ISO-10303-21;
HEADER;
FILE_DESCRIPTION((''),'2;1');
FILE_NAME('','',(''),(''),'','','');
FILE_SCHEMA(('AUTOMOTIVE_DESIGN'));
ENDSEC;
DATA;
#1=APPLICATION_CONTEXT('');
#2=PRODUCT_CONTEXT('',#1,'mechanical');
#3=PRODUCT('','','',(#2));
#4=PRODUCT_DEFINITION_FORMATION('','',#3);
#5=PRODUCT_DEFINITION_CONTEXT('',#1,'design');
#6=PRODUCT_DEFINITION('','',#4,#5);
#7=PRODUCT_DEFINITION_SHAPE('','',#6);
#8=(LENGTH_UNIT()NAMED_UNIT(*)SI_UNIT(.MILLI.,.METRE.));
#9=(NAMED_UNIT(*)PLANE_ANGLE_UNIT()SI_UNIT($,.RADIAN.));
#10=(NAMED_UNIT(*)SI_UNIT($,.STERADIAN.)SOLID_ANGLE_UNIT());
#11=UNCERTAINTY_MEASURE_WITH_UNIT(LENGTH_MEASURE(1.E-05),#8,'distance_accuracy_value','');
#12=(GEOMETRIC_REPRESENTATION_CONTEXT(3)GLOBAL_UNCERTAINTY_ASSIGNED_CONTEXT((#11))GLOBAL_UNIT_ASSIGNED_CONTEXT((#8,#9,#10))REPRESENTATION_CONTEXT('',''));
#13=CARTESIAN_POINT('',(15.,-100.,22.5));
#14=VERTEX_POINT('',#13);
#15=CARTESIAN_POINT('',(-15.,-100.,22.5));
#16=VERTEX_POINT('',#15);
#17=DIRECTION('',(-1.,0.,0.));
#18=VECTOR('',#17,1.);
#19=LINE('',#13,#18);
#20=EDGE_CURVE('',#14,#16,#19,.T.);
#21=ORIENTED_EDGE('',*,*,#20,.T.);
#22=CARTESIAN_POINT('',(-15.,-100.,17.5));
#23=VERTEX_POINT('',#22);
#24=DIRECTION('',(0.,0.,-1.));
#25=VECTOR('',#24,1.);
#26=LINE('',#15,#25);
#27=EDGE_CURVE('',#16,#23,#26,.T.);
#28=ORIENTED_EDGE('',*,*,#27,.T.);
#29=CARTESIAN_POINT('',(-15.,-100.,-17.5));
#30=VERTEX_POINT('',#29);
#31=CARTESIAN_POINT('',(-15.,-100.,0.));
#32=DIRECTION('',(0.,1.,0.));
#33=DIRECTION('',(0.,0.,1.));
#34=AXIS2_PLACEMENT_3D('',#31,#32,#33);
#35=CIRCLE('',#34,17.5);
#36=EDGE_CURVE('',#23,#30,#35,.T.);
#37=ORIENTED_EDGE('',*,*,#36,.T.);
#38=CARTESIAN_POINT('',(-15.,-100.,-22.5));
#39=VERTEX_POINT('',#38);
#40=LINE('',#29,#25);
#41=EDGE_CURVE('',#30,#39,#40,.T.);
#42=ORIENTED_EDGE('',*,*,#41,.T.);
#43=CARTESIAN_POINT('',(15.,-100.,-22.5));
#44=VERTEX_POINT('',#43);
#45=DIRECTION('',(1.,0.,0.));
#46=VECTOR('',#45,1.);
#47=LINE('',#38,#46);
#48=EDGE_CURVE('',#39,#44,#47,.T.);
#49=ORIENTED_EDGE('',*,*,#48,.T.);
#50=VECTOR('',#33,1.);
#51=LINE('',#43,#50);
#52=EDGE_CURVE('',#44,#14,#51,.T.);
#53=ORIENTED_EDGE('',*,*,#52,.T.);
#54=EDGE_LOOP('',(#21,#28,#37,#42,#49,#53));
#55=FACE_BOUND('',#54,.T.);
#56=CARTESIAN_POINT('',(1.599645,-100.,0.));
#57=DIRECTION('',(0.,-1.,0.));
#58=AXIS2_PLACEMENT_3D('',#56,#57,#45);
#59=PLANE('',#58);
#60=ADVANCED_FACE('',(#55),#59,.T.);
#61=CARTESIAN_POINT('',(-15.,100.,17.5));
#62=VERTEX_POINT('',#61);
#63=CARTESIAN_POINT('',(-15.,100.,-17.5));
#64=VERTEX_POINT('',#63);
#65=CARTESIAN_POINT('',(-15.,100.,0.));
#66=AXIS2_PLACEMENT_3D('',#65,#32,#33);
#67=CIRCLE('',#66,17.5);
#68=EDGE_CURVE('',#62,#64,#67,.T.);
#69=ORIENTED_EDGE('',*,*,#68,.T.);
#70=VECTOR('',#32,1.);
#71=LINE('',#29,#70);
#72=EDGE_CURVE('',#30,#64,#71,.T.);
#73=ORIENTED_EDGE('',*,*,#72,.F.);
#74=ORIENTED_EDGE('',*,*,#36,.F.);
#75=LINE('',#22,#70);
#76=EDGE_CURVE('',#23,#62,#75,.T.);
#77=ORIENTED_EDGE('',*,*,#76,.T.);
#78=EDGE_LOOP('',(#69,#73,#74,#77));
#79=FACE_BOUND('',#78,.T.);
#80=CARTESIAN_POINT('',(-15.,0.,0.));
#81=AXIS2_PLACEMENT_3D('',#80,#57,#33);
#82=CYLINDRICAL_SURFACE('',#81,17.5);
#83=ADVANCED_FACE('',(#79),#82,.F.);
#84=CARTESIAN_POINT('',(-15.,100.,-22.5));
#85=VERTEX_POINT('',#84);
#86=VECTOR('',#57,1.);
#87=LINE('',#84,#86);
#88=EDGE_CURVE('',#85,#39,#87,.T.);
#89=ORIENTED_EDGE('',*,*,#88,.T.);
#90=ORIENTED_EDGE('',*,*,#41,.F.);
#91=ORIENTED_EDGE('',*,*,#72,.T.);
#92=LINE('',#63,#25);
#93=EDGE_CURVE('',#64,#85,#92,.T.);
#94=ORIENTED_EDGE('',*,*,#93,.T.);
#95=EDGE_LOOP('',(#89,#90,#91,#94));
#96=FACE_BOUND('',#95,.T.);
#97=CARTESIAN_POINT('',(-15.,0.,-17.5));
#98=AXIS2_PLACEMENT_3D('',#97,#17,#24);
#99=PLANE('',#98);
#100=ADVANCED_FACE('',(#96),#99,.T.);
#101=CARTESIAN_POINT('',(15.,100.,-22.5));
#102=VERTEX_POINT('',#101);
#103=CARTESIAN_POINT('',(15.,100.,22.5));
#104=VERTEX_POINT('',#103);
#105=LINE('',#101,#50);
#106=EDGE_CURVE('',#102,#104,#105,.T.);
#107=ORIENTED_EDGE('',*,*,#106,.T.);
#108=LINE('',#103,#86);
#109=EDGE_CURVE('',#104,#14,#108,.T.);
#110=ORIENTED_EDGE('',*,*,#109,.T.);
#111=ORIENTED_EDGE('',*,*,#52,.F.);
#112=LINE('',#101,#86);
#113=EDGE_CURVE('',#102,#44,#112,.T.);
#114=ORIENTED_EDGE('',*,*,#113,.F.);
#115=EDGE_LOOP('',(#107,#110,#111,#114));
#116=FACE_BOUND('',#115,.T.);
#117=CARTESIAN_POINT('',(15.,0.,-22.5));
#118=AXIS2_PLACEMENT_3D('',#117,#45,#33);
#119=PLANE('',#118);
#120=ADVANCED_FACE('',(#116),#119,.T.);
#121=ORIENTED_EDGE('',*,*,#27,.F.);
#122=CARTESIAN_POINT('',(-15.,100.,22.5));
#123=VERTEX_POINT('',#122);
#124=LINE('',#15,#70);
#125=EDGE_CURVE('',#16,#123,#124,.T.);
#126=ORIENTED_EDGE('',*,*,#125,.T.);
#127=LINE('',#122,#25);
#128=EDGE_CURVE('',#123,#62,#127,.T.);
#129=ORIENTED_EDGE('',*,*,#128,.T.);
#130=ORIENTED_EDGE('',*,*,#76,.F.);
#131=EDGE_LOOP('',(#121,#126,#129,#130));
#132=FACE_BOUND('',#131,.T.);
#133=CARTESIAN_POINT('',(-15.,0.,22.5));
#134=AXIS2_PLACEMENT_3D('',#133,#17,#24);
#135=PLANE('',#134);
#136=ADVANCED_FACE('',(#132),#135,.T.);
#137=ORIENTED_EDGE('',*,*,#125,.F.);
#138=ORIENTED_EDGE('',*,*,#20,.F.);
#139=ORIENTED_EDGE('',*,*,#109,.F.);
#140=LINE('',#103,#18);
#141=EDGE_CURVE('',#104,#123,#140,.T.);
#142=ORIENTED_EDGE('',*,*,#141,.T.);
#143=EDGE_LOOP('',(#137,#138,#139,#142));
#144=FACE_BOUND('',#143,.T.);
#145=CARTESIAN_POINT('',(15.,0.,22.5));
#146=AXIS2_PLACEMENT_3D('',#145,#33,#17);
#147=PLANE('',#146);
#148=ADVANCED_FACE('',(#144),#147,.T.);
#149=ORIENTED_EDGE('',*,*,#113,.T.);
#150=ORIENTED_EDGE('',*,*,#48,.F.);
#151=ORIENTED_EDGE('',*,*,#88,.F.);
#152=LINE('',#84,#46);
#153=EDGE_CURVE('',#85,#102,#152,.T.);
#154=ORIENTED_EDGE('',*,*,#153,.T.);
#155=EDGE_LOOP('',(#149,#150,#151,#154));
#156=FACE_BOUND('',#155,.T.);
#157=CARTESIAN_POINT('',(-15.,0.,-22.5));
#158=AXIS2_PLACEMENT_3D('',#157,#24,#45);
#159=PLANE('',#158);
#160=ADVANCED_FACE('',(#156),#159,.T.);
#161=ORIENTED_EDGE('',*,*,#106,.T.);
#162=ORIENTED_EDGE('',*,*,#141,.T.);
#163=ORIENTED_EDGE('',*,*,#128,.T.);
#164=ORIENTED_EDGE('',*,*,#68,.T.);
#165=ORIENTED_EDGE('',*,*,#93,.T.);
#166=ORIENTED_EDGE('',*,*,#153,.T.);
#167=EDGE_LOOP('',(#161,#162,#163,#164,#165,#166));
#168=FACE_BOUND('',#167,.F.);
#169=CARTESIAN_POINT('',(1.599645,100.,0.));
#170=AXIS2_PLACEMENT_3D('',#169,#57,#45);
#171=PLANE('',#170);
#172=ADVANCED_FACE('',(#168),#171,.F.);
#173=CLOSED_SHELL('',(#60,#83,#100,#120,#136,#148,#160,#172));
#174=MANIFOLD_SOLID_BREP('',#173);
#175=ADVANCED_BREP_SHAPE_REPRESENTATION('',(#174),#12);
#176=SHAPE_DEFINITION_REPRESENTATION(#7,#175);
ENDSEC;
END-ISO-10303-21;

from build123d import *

# Parameters (mm, degrees)
F1_DEPTH = 100


with BuildPart() as f1:
    # F0 (on Front) → F1 (new body, symmetric)
    with BuildSketch(Plane.XZ):
        with BuildLine():
            Line((-15, -17.5), (-15, -22.5))
            Line((-15, -22.5), (15, -22.5))
            Line((15, -22.5), (15, 22.5))
            Line((15, 22.5), (-15, 22.5))
            Line((-15, 22.5), (-15, 17.5))
            ThreePointArc((-15, 17.5), (2.5, 0), (-15, -17.5))
        make_face()
    extrude(amount=F1_DEPTH, both=True)


solid = f1.part
